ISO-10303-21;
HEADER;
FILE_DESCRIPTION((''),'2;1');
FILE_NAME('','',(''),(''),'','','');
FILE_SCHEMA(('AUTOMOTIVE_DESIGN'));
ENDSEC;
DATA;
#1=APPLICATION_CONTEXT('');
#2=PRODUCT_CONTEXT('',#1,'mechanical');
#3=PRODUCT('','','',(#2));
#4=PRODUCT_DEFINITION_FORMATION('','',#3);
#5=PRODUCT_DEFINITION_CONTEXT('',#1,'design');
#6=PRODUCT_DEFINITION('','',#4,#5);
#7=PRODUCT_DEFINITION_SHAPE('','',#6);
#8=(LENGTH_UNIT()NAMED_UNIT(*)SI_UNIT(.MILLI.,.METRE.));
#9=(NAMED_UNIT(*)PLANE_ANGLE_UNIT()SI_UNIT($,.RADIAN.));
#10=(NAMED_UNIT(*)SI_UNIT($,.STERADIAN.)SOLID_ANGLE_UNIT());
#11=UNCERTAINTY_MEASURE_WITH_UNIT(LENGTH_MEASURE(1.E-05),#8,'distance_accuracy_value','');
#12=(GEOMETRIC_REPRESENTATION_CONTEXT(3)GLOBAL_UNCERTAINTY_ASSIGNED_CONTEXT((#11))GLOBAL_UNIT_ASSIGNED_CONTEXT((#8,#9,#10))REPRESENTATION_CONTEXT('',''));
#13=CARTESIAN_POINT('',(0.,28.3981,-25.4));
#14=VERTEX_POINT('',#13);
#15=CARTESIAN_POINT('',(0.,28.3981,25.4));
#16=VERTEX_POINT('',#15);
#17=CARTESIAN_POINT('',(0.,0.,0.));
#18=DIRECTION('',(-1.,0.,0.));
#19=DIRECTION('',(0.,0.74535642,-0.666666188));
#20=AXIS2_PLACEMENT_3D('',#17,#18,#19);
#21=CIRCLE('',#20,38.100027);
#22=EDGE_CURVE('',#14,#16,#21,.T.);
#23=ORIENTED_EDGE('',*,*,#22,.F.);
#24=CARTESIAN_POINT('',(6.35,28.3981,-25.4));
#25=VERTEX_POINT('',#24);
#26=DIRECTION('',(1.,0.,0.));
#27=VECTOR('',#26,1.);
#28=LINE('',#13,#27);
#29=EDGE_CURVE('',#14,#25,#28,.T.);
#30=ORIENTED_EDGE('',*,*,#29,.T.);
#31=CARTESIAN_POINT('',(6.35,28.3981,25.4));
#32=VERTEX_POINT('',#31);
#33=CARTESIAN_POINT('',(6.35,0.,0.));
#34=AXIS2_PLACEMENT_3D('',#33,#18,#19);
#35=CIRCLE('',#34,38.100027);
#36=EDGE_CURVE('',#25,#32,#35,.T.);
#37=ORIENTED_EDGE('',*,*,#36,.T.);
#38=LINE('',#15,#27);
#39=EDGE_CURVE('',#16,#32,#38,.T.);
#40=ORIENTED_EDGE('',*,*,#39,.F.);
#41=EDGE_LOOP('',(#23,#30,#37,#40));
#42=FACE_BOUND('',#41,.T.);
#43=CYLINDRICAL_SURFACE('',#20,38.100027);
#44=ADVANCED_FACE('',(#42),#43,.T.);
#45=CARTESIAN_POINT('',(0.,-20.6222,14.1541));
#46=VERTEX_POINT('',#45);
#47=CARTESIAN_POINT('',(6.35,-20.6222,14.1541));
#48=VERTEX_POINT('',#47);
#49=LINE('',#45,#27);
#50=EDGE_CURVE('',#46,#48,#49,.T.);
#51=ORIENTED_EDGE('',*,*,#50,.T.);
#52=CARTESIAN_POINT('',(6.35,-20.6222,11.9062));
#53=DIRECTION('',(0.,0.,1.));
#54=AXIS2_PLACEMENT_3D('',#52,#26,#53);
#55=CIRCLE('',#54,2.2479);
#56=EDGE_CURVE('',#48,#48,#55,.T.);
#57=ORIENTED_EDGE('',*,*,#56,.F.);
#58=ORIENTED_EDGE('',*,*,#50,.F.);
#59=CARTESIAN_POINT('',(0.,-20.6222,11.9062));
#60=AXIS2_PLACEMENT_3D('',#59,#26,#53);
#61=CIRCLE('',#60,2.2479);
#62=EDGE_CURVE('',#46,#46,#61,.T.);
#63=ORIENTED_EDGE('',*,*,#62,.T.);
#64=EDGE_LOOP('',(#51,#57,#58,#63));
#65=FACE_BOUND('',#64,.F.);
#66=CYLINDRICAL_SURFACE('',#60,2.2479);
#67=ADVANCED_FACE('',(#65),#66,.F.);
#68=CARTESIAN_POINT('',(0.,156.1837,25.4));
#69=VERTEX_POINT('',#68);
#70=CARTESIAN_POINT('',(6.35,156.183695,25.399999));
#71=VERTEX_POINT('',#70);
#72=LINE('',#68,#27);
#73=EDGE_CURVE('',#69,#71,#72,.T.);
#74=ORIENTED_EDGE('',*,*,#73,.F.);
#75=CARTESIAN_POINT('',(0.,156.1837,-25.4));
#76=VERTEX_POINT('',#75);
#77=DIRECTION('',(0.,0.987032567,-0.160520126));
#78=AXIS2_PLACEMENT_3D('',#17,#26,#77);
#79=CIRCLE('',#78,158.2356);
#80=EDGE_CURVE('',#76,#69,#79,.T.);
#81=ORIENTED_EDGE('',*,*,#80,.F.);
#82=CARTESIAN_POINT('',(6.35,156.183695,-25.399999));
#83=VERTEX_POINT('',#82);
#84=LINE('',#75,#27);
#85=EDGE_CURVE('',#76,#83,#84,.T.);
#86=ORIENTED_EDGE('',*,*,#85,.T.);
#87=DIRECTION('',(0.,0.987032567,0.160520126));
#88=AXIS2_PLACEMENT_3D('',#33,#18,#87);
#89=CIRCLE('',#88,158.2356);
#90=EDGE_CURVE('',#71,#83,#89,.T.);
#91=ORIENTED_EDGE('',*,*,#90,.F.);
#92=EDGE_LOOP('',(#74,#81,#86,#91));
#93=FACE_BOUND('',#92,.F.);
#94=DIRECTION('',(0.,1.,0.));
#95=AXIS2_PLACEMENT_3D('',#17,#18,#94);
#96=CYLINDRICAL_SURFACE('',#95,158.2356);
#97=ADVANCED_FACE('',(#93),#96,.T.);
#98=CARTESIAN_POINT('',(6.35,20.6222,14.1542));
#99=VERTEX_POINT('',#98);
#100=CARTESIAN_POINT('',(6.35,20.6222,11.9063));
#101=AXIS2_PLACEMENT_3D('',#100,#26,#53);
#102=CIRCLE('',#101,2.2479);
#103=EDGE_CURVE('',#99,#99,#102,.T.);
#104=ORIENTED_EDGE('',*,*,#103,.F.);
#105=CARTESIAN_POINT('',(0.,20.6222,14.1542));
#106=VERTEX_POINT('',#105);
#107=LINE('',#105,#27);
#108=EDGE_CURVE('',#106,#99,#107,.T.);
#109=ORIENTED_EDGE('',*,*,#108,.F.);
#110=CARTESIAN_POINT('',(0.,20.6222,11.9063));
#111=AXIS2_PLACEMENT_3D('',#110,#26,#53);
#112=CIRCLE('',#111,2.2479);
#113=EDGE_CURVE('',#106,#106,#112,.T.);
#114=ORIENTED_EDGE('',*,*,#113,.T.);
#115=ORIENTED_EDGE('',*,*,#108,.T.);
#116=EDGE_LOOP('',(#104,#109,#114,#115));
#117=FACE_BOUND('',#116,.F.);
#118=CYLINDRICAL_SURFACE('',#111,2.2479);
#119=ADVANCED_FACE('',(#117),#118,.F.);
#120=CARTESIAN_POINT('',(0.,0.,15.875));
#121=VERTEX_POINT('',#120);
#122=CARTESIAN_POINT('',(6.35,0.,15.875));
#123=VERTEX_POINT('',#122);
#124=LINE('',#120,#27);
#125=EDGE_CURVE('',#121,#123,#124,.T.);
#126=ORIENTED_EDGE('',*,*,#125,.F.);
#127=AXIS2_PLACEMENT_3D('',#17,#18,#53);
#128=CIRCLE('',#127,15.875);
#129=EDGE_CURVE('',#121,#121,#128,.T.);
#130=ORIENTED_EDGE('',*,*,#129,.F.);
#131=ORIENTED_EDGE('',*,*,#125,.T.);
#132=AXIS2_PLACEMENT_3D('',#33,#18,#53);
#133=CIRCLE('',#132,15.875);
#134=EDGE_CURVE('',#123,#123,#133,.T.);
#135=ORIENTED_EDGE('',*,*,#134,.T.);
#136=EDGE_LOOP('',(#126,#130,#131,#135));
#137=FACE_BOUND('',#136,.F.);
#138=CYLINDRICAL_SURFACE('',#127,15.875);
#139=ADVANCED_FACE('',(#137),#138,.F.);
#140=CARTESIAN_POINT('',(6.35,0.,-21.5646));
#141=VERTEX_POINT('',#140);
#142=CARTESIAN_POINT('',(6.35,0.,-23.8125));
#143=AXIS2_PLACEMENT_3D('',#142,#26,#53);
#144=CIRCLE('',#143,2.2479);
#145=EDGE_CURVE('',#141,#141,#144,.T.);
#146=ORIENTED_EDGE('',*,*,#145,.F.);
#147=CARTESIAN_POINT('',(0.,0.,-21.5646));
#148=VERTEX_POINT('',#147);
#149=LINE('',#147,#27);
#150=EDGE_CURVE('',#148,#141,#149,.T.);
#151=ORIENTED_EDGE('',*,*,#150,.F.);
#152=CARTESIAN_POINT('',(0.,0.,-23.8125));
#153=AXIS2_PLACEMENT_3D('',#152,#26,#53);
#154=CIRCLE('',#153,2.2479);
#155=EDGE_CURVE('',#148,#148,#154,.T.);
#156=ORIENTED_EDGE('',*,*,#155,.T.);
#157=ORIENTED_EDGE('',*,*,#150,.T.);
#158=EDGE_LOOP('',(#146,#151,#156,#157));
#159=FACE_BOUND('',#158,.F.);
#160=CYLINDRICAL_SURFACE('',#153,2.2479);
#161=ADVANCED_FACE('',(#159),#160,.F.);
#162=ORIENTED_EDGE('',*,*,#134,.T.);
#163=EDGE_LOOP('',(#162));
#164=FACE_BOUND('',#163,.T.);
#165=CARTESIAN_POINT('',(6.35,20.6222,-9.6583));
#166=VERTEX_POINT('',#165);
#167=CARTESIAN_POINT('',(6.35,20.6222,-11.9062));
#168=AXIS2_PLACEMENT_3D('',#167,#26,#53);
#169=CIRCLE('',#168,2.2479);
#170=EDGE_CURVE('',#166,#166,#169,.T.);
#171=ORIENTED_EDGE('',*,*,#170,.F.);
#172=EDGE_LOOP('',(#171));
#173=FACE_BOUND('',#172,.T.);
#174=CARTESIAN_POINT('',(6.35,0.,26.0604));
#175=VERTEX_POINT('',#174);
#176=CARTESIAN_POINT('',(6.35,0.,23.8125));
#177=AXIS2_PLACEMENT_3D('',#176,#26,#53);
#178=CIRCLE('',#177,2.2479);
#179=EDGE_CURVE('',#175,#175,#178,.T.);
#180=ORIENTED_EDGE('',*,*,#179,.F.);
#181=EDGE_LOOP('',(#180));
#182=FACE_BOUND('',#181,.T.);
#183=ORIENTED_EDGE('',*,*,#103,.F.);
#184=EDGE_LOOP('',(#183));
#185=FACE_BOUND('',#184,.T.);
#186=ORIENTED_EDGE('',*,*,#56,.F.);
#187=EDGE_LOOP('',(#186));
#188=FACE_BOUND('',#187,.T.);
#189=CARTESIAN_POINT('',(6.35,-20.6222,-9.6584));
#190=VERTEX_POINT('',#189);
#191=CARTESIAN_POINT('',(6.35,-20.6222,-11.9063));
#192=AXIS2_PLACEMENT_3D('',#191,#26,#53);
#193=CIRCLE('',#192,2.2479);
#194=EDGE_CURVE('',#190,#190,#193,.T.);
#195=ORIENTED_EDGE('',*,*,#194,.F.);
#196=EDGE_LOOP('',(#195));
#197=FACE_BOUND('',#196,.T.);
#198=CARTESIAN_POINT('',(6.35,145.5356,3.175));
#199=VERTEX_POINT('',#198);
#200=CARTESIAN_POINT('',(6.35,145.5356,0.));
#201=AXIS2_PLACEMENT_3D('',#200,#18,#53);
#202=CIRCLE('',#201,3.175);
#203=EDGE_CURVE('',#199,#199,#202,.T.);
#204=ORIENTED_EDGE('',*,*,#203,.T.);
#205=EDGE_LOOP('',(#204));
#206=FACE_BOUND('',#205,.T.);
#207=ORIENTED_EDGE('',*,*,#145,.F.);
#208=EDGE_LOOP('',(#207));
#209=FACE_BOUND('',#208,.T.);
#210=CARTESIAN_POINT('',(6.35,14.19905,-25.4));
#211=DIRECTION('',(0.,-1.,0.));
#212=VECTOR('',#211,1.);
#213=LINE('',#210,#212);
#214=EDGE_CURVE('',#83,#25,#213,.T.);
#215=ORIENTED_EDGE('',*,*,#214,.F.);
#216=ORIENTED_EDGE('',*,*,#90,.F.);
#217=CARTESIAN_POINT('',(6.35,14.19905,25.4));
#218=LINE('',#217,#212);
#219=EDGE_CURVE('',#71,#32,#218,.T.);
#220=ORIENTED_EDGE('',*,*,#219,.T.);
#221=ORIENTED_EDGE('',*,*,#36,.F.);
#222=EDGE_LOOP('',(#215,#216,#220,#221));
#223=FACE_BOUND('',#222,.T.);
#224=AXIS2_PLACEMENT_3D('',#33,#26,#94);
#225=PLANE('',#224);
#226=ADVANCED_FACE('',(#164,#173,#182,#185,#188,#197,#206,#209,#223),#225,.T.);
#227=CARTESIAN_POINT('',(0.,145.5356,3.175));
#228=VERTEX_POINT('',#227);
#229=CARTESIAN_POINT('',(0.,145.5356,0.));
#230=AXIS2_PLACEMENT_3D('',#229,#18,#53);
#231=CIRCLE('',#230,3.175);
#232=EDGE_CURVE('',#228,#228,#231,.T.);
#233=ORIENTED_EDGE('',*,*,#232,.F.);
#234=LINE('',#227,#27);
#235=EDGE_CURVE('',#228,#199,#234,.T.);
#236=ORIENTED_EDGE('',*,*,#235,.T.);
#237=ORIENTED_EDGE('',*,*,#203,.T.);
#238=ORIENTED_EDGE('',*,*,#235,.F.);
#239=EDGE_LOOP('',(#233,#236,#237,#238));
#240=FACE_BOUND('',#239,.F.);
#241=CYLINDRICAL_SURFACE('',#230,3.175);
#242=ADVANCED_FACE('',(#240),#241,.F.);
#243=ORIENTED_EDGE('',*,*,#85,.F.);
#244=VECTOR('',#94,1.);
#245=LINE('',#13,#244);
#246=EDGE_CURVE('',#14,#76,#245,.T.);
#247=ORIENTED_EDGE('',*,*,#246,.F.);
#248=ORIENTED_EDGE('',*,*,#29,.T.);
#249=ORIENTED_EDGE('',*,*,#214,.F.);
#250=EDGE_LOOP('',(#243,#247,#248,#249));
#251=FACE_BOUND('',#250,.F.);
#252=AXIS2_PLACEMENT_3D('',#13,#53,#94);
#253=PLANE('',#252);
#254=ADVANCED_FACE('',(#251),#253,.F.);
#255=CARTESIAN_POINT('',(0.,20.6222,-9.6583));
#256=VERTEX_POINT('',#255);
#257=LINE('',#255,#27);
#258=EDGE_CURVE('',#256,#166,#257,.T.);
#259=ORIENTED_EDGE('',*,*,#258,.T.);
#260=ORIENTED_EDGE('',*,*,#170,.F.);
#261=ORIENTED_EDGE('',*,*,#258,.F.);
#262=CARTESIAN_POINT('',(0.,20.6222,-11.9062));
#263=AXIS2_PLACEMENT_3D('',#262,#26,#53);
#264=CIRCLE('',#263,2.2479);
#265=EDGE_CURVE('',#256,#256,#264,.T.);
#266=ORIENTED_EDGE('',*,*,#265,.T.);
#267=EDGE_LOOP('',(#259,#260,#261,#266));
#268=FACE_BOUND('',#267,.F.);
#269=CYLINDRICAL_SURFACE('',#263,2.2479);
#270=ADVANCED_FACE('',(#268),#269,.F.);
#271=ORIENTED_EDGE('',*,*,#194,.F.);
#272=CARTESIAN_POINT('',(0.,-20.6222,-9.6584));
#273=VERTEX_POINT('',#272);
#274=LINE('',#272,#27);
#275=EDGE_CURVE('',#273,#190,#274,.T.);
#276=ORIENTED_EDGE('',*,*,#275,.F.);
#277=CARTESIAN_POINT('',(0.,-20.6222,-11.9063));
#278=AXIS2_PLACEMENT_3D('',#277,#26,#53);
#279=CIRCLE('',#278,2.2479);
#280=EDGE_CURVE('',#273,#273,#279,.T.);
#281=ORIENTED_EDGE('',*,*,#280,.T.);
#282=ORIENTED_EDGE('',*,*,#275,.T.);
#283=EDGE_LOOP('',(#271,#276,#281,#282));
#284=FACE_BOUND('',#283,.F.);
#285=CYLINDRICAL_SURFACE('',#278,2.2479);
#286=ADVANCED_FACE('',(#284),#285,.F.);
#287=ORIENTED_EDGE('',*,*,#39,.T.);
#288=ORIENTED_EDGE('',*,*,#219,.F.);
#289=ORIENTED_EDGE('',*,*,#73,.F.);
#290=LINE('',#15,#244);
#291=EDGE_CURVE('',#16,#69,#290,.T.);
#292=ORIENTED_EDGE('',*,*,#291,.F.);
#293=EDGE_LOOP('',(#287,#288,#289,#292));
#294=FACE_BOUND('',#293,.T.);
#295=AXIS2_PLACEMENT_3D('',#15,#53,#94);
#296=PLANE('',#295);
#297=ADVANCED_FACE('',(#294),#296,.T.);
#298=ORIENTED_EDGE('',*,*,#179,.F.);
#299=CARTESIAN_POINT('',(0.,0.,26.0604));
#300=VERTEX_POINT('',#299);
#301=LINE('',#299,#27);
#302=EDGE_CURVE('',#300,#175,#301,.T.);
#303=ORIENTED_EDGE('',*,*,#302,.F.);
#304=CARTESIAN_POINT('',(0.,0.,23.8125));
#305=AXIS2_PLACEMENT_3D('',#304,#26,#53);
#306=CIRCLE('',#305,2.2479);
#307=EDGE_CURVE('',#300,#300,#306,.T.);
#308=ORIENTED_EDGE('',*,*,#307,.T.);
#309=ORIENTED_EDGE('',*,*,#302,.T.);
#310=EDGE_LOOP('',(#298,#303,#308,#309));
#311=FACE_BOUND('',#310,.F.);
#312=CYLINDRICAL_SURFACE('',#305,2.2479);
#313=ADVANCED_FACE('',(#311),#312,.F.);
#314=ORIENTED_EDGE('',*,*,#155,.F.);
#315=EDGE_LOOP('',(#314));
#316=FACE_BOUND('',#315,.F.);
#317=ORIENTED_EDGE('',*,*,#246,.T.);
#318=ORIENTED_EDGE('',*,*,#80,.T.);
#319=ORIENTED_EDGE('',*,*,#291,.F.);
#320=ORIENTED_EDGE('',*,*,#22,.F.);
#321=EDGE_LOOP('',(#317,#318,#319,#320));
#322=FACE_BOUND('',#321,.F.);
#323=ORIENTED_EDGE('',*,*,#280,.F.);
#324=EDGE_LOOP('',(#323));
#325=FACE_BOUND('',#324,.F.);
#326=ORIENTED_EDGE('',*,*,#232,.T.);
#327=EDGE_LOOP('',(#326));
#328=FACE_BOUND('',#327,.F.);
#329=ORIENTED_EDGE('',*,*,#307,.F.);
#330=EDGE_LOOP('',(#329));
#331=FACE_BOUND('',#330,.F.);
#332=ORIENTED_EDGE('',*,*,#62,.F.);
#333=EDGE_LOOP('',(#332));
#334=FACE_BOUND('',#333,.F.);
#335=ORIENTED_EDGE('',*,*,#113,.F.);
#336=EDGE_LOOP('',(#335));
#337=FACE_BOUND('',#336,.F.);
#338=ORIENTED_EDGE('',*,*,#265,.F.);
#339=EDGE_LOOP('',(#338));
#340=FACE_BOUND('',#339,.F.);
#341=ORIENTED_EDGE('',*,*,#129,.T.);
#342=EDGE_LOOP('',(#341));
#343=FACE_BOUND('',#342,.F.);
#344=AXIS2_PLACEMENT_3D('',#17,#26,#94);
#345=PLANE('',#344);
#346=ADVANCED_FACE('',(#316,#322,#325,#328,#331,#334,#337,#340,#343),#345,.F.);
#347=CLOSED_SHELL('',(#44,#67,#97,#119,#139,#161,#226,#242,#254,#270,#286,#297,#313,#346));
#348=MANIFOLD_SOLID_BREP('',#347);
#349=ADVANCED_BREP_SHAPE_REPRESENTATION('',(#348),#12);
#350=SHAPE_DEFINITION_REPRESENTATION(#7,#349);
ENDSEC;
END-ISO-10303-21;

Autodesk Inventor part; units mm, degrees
ref_plane "YZ Plane" through (0, 0, 0) normal (1, 0, 0) x (0, 1, 0)
ref_plane "XZ Plane" through (0, 0, 0) normal (0, 1, 0) x (-1, 0, 0)
ref_plane "XY Plane" through (0, 0, 0) normal (0, 0, 1) x (1, 0, 0)
sketch "Sketch1" plane through (0, 0, 0) normal (1, 0, 0) x (0, 1, 0)
  circle A0 centre (0, 0) radius 158.2356
  dimension "d0" = 316.4711
extrude "Extrusion1" add sketch "Sketch1" along normal blind 6.35
sketch "Sketch2" plane through (0, 0, 0) normal (-1, 0, 0) x (0, 0, 1)
  circle A0 centre (0, 145.5356) radius 3.175
  point P0 (0, 0)
  dimension "d3" = 6.35
  dimension "d4" = 145.5356
extrude "Extrusion2" cut sketch "Sketch2" against normal through all
sketch "Sketch3" plane through (0, 0, 0) normal (-1, 0, 0) x (0, 0, 1)
  point P0 (0, 0)
  point P1 (23.8125, 0)
  point P2 (11.9063, 20.6222)
  point P3 (-11.9062, 20.6222)
  point P4 (-23.8125, 0)
  point P5 (-11.9063, -20.6222)
  point P6 (11.9062, -20.6222)
  dimension "d7" = 23.8125
  dimension "d10" = 360
hole "Hole1" at (0, 0, 23.8125) at (0, 20.6222, 11.9063) at (0, 20.6222, -11.9062) at (0, 0, -23.8125) at (0, -20.6222, -11.9063) at (0, -20.6222, 11.9062) direction (1, 0, 0) diameter 4.4958 end through all clearance for "Flat Head Machine Screw (82)" size "#8" standard "Ansi Unified Screw Threads"
sketch "Sketch4" plane through (0, 0, 0) normal (-1, 0, 0) x (0, 0, 1)
  circle A0 centre (0, 0) radius 15.875
  dimension "d19" = 31.75
extrude "Extrusion3" cut sketch "Sketch4" against normal through all
sketch "Sketch6" plane through (0, 0, 0) normal (-1, 0, 0) x (0, 0, 1)
  arc A0 (-25.4, 28.3981) -> (25.4, 28.3981) centre (0, 0) ccw
  line L0 (-25.4, 28.3981) -> (-25.4, 156.1837)
  circle A1 centre (0, 0) radius 158.2356 projected
  line L1 (25.4, 28.3981) -> (25.4, 156.1837)
  dimension "d29" = 25.4
  dimension "d30" = 25.4
  dimension "d31" = 76.2
extrude "Extrusion4" cut sketch "Sketch6" against normal through all contours A0 L1 A1 L0 picked at (-31.115, 112.3302)
equation "\"d0\" = camPlateDiam"
equation "\"d1\" = camPlateThickness"
equation "\"d3\" = camPostHoleDiam"
equation "\"d4\" = camRadius"
equation "\"d5\" = camPlateThickness"
equation "\"d7\" = am6HoleRadius"
equation "\"d19\" = centerHoleDiam"
equation "\"camPlateThickness\" = 6.35"
equation "\"camPostHoleDiam\" = 6.35"
equation "\"camPostHeight\" = 25.4"
equation "\"camRadius\" = 0.5 * camDiam"
equation "\"aM6HoleDiam\" = 47.625"
equation "\"am6HoleRadius\" = 0.5 * aM6HoleDiam"
equation "\"centerHoleDiam\" = 31.75"
equation "\"camStroke\" = 152.4"
equation "\"pi\" = 79.7941"
equation "\"camPlateDiam\" = 316.471144"
equation "\"camDiam\" = 291.071144"
properties part number "camPlateCircular" material "Aluminum 6061"
